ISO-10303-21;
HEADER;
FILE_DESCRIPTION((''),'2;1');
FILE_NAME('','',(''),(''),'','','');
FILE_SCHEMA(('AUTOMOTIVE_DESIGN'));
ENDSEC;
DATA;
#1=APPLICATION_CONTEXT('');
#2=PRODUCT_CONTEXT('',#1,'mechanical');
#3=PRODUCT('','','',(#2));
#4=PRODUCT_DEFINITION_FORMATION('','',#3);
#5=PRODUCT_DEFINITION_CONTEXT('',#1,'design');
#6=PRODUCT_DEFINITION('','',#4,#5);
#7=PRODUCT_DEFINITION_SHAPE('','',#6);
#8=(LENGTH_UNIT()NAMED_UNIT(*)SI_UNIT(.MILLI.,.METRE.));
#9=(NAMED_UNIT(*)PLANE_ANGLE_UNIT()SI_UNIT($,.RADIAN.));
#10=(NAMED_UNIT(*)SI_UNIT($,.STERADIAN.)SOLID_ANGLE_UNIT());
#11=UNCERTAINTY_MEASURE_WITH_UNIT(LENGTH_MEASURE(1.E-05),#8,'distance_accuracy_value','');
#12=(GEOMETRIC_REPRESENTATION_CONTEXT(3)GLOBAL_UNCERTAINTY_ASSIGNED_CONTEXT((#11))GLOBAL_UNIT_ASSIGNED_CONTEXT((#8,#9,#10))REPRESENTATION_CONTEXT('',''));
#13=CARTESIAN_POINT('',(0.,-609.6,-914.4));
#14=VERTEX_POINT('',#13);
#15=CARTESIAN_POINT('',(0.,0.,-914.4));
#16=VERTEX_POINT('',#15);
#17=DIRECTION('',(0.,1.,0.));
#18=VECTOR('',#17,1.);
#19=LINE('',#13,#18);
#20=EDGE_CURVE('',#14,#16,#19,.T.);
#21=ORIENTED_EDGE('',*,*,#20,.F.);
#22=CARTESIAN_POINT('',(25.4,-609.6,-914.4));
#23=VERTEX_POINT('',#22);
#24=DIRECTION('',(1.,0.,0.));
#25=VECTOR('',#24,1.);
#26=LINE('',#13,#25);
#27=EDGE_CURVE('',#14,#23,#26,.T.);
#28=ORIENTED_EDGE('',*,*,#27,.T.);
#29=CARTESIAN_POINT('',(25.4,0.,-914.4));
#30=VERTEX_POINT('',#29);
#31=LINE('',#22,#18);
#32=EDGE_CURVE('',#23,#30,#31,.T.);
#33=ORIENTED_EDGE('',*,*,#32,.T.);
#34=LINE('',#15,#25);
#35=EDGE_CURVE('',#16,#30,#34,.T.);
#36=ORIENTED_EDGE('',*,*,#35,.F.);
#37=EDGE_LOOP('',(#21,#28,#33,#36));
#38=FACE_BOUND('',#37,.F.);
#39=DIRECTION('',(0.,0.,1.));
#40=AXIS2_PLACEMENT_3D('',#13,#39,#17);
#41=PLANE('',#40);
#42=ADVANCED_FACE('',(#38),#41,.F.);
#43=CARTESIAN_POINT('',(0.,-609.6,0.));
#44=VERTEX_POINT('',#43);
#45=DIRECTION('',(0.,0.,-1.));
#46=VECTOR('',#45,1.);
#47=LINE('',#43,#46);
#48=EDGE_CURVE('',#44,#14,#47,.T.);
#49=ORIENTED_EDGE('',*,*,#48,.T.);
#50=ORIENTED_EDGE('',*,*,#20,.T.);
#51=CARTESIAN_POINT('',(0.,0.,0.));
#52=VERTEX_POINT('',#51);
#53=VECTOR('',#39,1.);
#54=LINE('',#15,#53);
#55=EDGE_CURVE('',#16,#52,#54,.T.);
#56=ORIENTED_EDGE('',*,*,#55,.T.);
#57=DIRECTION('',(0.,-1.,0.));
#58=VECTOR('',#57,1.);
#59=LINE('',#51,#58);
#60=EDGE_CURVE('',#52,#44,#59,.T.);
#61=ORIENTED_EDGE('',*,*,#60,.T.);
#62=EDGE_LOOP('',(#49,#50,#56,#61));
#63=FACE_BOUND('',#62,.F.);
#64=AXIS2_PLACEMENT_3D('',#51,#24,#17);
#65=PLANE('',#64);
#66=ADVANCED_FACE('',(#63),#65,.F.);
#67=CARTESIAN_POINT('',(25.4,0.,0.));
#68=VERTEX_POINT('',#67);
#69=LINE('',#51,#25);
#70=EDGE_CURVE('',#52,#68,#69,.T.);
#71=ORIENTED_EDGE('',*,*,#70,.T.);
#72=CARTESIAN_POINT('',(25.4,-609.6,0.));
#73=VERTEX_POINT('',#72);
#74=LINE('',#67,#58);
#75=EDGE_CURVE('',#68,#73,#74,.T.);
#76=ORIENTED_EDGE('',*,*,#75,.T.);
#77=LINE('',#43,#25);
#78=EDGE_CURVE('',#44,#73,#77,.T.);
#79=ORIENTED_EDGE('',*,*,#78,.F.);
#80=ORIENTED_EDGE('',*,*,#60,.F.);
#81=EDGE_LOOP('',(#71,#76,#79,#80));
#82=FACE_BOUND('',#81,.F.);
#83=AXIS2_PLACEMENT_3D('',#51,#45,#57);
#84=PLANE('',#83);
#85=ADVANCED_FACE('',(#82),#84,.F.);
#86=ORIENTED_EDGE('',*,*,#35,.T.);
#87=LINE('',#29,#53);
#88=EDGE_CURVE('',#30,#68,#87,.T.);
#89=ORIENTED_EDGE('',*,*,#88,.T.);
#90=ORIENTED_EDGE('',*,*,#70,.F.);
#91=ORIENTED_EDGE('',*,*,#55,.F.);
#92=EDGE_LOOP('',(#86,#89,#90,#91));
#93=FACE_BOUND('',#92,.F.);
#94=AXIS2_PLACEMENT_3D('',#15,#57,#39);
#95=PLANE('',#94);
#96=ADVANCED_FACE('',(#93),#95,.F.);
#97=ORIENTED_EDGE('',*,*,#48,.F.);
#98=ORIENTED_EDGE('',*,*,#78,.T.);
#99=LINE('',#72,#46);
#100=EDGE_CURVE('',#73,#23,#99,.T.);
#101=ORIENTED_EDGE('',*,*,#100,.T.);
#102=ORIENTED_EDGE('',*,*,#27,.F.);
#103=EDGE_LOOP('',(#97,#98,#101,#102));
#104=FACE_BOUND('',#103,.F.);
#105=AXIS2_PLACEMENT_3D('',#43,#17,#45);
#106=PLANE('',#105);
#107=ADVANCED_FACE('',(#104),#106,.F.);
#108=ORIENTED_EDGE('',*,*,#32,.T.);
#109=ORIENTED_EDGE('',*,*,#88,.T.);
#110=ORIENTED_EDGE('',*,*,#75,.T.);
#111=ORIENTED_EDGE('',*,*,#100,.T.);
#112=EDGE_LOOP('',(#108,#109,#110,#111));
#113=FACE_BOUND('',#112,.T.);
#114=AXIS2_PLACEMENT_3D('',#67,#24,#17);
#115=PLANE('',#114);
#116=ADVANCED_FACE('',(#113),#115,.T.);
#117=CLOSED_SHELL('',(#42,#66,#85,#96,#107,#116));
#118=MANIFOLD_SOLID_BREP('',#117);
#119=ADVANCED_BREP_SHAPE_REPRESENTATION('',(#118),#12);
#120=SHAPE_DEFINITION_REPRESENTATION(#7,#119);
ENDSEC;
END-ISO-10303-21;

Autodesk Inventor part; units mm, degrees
ref_plane "YZ Plane" through (0, 0, 0) normal (1, 0, 0) x (0, 1, 0)
ref_plane "XZ Plane" through (0, 0, 0) normal (0, 1, 0) x (-1, 0, 0)
ref_plane "XY Plane" through (0, 0, 0) normal (0, 0, 1) x (1, 0, 0)
sketch "Sketch1" plane through (0, 0, 0) normal (1, 0, 0) x (0, 1, 0)
  line L0 (0, 0) -> (-609.6, 0)
  line L1 (-609.6, 0) -> (-609.6, -914.4)
  line L2 (-609.6, -914.4) -> (0, -914.4)
  line L3 (0, -914.4) -> (0, 0)
  dimension "d0" = 609.6
  dimension "d1" = 914.4
extrude "Extrusion1" add sketch "Sketch1" along normal blind 25.4
properties part number "rev1 base short wall backplane" material "Gold"
